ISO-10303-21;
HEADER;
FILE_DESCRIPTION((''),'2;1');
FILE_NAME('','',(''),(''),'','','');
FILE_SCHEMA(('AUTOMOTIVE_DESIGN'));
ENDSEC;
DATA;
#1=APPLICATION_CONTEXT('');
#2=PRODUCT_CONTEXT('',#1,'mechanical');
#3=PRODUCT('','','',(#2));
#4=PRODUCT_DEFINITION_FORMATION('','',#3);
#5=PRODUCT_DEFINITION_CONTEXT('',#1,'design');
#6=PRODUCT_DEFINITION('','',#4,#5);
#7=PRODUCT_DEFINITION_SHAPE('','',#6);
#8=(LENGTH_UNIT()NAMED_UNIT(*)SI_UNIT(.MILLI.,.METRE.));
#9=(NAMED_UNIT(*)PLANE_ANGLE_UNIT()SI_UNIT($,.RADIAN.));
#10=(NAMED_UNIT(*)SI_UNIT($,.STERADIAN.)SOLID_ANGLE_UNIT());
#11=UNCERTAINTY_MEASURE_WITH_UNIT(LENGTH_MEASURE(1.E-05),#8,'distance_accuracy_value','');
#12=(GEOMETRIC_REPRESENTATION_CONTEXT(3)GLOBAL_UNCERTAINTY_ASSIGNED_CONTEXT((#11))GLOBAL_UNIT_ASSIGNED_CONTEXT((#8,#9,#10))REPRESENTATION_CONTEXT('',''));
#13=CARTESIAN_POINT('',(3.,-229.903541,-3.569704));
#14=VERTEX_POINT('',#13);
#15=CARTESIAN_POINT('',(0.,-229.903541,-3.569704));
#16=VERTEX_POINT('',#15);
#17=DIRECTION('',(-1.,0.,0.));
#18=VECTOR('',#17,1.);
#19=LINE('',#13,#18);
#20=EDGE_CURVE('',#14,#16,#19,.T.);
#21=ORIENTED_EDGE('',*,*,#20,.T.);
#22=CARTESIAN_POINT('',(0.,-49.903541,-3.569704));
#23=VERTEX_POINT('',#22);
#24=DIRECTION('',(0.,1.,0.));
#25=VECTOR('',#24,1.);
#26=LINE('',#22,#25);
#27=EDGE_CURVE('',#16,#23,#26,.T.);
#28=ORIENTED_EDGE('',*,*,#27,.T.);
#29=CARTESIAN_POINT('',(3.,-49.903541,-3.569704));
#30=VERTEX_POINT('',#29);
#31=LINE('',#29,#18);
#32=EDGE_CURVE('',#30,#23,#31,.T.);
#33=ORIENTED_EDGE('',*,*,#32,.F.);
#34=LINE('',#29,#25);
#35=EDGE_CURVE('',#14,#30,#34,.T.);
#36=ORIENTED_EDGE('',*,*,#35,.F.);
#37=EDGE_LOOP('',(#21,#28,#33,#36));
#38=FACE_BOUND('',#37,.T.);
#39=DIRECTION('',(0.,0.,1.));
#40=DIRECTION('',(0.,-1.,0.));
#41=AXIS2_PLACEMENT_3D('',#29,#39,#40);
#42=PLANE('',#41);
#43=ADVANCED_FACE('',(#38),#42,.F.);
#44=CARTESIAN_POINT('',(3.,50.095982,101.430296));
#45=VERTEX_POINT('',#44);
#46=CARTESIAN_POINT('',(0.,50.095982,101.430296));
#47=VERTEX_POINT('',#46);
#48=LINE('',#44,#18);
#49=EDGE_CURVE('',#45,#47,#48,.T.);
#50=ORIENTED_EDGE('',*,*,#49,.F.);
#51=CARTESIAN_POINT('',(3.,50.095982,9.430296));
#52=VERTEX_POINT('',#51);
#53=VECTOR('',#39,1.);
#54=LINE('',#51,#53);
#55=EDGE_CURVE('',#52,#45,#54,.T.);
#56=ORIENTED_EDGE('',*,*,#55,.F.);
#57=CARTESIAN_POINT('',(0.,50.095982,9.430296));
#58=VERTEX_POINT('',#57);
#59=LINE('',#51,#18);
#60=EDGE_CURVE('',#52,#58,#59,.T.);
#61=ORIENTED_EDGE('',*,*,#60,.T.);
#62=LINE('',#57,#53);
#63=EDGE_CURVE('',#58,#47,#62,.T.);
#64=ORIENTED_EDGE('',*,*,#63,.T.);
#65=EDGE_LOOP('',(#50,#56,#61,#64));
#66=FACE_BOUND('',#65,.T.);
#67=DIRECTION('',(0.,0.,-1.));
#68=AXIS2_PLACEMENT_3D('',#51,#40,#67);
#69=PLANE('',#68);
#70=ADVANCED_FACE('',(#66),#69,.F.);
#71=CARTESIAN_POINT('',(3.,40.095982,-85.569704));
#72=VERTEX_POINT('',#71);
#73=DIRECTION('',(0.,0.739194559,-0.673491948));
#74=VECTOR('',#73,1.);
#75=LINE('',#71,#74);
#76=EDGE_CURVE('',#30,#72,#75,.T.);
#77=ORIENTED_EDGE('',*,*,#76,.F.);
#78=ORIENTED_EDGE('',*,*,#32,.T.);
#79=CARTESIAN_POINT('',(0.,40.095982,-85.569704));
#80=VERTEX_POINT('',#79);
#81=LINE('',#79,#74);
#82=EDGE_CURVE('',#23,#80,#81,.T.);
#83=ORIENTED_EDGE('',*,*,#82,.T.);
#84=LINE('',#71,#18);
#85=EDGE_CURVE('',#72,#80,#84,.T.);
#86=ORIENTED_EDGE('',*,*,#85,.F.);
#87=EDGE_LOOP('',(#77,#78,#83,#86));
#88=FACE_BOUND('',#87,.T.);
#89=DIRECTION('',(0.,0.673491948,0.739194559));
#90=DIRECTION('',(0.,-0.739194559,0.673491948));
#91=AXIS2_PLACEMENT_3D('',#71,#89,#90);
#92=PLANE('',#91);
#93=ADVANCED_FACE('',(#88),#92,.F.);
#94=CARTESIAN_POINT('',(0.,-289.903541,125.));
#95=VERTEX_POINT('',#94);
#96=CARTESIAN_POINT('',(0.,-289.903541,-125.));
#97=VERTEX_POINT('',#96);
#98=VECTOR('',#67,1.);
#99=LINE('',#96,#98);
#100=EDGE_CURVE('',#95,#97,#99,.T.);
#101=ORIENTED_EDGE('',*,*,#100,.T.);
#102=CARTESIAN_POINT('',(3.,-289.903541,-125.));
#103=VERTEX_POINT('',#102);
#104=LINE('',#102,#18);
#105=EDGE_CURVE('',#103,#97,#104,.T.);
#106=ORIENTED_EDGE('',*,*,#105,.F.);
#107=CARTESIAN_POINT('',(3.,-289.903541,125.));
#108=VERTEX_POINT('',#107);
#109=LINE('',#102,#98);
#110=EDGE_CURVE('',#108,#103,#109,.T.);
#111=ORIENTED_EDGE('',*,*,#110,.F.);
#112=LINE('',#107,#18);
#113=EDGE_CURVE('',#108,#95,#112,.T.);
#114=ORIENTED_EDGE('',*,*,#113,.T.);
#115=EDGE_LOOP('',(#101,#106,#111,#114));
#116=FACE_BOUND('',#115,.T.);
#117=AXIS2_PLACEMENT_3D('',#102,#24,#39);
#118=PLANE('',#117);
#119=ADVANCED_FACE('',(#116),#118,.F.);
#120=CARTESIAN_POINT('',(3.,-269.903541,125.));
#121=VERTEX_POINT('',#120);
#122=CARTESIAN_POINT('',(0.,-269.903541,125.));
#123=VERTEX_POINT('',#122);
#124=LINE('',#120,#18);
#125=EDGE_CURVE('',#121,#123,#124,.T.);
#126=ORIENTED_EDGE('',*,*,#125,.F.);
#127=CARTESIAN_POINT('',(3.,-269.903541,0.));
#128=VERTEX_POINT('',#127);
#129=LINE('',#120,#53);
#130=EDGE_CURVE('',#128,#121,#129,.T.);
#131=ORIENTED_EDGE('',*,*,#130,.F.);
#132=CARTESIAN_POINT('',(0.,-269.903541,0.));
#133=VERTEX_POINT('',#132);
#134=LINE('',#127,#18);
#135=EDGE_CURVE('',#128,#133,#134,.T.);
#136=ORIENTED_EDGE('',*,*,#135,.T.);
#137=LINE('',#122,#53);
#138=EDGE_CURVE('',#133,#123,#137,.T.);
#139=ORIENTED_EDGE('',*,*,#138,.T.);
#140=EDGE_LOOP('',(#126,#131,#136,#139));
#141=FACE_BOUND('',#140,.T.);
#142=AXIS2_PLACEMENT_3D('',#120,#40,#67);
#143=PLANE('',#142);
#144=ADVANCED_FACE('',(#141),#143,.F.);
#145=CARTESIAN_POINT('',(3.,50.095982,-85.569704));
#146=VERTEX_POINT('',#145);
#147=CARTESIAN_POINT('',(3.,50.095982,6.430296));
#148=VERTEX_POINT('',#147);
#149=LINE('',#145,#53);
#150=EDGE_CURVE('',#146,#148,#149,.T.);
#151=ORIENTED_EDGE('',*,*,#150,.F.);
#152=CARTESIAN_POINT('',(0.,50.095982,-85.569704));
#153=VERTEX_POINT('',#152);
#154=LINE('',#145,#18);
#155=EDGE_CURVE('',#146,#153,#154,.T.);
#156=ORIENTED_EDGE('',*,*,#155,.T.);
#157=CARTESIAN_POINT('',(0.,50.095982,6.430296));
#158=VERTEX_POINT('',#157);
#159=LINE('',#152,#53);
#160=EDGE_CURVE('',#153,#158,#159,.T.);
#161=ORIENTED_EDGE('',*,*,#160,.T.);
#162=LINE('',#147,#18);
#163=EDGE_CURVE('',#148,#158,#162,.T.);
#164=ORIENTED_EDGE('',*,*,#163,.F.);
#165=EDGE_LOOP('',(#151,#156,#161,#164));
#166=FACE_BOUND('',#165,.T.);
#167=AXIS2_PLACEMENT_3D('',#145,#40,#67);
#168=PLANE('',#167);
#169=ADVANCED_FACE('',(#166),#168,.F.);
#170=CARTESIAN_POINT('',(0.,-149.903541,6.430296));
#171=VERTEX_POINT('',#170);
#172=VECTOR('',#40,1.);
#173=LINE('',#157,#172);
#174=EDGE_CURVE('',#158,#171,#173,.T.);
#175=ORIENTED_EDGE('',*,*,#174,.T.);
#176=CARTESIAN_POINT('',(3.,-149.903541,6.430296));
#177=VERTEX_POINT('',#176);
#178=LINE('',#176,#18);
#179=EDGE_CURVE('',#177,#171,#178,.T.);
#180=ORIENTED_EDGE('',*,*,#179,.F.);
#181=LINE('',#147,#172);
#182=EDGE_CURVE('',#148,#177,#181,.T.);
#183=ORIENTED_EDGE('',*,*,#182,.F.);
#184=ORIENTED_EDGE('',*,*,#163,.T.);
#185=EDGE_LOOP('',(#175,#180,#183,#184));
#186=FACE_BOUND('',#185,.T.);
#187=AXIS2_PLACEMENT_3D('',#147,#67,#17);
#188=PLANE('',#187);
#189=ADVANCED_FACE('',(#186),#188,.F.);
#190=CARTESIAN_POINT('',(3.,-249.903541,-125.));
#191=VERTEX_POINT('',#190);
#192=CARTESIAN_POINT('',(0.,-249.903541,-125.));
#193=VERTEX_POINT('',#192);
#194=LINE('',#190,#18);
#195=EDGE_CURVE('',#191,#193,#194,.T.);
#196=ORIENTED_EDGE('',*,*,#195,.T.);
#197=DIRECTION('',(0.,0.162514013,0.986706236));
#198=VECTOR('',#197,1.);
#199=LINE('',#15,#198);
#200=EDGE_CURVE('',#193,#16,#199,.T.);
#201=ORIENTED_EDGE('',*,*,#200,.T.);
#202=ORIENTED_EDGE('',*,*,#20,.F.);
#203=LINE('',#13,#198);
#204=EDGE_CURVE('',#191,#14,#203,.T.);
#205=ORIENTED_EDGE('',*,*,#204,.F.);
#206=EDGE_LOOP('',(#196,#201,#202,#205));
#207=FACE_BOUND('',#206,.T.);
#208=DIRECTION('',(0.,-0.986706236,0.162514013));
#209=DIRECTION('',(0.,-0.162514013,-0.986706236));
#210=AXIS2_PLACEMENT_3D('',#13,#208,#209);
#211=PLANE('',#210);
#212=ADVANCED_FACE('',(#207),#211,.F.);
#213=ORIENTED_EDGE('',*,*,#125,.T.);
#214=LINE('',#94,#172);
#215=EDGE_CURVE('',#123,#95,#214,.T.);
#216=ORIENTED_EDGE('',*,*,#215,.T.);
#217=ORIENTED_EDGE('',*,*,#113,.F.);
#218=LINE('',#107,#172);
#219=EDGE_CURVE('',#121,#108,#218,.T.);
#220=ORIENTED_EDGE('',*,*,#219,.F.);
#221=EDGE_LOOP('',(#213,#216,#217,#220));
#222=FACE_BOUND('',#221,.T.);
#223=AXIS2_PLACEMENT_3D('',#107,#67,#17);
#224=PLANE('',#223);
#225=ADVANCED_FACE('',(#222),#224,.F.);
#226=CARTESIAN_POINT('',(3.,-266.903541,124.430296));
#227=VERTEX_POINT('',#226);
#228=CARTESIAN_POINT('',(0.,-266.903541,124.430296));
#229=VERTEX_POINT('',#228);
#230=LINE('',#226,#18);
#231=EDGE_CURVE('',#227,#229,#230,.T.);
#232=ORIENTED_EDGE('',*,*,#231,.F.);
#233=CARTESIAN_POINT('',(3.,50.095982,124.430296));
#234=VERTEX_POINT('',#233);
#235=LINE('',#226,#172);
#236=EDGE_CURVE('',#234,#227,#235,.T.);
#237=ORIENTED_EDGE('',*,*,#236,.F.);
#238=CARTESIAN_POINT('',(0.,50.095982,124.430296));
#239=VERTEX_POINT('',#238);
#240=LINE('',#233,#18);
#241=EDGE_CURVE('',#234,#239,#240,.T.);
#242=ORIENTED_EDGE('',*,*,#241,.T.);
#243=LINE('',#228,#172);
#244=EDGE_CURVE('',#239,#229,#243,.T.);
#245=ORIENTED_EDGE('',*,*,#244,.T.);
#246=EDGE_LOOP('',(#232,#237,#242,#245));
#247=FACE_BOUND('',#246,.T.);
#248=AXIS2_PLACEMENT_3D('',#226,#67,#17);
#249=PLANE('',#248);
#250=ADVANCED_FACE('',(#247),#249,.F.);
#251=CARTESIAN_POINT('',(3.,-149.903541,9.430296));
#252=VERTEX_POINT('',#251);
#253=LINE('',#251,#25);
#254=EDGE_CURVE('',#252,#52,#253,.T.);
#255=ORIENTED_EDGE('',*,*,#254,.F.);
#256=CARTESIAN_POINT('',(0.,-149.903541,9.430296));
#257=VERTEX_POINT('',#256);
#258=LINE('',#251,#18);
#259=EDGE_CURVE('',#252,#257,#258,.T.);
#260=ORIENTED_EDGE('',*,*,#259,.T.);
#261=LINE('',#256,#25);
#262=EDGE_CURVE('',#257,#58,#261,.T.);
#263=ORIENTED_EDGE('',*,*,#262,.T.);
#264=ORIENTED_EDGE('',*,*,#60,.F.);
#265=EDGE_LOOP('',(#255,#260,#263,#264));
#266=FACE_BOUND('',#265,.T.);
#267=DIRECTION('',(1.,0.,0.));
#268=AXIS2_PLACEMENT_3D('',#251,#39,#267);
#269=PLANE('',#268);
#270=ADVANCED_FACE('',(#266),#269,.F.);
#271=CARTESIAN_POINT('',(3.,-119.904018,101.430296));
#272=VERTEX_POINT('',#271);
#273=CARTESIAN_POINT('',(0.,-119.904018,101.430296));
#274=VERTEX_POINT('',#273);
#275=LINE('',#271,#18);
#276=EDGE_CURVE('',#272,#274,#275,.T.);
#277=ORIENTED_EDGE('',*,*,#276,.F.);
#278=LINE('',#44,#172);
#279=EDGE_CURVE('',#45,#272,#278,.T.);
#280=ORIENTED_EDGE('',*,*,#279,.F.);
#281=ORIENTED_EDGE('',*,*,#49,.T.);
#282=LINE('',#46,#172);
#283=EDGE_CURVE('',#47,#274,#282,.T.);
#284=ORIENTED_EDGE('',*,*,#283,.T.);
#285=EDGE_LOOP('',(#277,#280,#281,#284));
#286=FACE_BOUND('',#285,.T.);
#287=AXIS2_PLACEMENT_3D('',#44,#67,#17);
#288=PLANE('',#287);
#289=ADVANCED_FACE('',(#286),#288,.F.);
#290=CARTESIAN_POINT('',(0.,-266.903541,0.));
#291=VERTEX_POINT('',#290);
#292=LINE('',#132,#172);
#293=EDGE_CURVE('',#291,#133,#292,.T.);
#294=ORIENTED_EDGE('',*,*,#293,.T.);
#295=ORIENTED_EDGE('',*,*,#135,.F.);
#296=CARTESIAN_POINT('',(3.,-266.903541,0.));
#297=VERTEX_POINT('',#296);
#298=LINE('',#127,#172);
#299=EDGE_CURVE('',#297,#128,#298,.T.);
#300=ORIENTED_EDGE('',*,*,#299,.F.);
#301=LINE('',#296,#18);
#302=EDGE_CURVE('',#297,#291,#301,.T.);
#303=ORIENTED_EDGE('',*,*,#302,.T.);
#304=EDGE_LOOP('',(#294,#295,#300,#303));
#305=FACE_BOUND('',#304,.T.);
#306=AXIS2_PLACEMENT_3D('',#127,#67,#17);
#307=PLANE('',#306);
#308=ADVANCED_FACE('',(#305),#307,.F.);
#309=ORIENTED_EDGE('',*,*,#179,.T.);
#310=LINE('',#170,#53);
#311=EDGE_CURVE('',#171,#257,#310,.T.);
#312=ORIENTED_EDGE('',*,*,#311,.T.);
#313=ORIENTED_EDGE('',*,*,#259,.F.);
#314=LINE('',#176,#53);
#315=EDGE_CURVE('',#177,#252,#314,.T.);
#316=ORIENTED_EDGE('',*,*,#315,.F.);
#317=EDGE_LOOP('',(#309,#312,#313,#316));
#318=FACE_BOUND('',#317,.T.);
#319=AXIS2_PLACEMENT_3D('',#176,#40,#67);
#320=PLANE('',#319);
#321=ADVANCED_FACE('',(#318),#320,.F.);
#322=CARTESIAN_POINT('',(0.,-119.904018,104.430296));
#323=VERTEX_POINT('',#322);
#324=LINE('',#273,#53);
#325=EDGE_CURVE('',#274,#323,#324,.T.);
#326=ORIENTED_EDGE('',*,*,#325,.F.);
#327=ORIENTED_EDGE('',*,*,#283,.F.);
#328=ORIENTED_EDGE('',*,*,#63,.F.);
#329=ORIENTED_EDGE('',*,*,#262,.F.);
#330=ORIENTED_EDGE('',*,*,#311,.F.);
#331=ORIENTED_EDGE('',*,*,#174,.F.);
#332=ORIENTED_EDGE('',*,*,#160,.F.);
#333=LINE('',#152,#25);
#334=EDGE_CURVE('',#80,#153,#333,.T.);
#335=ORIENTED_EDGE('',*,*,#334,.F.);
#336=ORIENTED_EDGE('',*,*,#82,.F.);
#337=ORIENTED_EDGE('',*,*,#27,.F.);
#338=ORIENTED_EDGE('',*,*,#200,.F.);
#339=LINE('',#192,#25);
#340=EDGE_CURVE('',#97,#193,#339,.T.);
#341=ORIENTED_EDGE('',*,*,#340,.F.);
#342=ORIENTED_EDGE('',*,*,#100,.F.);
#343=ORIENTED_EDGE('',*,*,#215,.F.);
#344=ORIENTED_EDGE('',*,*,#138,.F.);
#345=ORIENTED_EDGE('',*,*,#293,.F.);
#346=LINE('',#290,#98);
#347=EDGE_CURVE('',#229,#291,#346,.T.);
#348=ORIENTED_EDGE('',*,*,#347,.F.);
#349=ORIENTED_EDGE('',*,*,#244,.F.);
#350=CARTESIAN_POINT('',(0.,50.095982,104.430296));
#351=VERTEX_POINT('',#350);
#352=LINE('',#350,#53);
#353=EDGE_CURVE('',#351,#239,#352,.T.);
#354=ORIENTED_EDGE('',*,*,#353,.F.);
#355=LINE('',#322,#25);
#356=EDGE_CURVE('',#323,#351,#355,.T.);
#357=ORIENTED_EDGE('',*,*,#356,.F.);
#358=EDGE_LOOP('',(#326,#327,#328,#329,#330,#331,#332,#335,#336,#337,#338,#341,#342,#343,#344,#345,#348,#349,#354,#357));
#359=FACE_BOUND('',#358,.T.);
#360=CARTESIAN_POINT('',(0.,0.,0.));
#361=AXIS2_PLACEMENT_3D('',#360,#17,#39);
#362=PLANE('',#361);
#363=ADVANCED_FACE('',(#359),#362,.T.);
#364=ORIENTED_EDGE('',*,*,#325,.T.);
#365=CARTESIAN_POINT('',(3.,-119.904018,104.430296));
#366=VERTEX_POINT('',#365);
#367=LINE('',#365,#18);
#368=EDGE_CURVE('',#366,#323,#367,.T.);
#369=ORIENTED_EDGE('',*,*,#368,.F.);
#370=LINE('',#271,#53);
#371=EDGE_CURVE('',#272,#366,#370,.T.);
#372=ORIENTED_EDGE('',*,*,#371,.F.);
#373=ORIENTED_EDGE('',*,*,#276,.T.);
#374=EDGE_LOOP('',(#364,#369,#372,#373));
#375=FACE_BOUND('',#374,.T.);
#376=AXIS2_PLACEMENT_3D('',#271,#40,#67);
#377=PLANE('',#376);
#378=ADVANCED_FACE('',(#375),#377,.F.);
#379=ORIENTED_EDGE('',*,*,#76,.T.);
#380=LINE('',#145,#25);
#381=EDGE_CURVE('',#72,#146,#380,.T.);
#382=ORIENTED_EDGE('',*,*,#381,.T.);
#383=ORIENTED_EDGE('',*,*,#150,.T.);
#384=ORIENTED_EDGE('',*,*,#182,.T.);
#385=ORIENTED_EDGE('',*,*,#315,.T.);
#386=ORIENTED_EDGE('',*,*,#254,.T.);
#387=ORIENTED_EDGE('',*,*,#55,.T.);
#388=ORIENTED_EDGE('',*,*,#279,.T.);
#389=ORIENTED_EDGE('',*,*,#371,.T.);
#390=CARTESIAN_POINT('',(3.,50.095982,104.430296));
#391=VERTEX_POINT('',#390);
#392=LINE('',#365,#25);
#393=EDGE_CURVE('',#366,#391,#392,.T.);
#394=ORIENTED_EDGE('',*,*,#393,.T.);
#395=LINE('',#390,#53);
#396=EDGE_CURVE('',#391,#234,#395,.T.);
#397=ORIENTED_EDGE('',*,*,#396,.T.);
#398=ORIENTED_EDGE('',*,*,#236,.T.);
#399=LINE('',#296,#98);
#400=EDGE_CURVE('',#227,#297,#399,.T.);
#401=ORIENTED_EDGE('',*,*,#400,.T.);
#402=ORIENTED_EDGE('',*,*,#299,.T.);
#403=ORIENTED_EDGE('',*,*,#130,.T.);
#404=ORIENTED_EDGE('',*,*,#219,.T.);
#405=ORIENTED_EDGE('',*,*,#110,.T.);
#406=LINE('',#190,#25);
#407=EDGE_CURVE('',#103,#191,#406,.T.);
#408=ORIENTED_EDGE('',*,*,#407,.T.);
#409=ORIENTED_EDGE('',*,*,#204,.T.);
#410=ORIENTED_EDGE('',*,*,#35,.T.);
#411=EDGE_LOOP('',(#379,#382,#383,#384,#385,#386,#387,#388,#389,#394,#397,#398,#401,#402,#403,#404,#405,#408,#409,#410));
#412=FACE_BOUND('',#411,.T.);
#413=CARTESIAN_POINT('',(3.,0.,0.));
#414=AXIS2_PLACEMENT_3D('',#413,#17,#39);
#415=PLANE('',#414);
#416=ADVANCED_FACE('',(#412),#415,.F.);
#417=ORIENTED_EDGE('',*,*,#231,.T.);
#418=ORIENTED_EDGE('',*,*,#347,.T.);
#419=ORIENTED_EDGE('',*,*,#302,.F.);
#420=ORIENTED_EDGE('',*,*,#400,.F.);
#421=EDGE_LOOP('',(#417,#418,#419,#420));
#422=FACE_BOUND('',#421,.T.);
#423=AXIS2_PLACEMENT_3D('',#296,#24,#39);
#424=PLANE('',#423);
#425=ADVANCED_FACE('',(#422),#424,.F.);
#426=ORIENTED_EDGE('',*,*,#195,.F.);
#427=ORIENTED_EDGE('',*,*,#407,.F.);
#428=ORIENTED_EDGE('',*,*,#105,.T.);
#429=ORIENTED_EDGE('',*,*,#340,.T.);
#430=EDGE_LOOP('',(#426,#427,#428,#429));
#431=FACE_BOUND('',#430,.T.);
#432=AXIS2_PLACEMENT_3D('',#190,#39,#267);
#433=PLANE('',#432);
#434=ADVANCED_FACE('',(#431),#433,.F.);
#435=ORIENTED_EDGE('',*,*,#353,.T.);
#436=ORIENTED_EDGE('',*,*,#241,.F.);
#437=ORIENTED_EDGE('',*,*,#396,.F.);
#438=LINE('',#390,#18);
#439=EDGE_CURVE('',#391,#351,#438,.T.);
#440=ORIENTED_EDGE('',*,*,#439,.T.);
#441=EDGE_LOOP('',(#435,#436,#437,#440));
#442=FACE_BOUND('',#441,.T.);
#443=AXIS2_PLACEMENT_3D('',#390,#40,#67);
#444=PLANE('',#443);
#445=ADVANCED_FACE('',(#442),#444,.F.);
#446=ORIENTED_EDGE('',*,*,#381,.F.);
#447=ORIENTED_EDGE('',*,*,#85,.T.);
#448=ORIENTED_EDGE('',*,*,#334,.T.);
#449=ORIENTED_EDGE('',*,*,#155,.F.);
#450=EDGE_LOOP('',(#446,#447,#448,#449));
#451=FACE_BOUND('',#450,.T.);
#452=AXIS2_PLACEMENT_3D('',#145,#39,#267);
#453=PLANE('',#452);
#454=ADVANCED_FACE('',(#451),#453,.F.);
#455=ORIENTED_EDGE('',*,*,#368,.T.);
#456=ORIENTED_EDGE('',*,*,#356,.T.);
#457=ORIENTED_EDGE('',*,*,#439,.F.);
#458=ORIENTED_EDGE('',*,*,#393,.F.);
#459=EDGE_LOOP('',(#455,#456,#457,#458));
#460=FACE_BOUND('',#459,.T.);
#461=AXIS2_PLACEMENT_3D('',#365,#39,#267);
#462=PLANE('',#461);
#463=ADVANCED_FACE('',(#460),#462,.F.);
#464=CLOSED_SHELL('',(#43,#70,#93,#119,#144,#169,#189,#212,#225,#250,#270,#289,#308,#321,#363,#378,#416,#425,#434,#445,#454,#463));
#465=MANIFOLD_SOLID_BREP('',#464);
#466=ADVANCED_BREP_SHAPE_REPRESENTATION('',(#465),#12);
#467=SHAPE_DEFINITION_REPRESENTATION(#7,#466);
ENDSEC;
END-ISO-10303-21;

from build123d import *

# Parameters (mm, degrees)
BOSS_EXTRUDE1_DEPTH = 3


with BuildPart() as part:
    # Sketch1 → Boss-Extrude1 (new body)
    with BuildSketch(Plane(origin=(0, 0, 0), x_dir=(0, 0, -1), z_dir=(1, 0, 0))):
        Polygon((3.569703573, -49.903540618), (3.569703573, -229.903540618), (125, -249.903540618), (125, -289.903540618), (-125, -289.903540618), (-125, -269.903540618), (0, -269.903540618), (0, -266.903540618), (-124.430296427, -266.903540618), (-124.430296427, 50.095982084), (-104.430296427, 50.095982084), (-104.430296427, -119.904017916), (-101.430296427, -119.904017916), (-101.430296427, 50.095982084), (-9.430296427, 50.095982084), (-9.430296427, -149.903540618), (-6.430296427, -149.903540618), (-6.430296427, 50.095982084), (85.569703573, 50.095982084), (85.569703573, 40.095982084), align=None)
    extrude(amount=BOSS_EXTRUDE1_DEPTH)


solid = part.part
